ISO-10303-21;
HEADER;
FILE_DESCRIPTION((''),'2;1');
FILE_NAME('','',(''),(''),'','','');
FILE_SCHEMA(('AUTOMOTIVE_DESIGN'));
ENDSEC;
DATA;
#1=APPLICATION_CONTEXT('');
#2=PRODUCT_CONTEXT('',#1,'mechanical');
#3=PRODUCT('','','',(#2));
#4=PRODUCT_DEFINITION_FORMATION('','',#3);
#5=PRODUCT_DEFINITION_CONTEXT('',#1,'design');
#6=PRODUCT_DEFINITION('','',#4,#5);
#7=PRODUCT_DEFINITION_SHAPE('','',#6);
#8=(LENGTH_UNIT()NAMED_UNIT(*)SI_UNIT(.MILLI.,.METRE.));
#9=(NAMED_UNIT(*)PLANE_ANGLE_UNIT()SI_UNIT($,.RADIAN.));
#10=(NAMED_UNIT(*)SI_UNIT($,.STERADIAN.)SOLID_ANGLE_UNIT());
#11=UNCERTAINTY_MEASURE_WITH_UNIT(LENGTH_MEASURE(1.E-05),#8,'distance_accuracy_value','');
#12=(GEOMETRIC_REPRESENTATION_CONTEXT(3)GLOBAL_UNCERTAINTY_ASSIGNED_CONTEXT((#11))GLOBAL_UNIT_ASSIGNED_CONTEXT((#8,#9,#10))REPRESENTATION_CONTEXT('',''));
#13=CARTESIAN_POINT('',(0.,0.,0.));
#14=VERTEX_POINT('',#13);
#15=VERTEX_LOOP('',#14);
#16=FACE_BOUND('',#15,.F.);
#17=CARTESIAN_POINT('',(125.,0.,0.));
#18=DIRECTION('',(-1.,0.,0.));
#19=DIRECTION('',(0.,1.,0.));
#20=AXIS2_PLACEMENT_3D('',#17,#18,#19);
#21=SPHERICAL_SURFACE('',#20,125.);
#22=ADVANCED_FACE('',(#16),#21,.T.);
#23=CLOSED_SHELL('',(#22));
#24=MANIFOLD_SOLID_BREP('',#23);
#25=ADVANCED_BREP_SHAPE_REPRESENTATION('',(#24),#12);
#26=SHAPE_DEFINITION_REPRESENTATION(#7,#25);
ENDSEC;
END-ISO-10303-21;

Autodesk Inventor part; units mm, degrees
ref_plane "YZ Plane" through (0, 0, 0) normal (1, 0, 0) x (0, 1, 0)
ref_plane "XZ Plane" through (0, 0, 0) normal (0, 1, 0) x (-1, 0, 0)
ref_plane "XY Plane" through (0, 0, 0) normal (0, 0, 1) x (1, 0, 0)
sketch "Sketch1" plane through (0, 0, 0) normal (0, 0, 1) x (1, 0, 0)
  line L0 (0, 0) -> (250, 0)
  arc A0 (250, 0) -> (0, 0) centre (125, 0) ccw
  dimension "d0" = 250
revolve "Revolution1" add sketch "Sketch1" angle 360 about axis through (0, 0, 0) along (1, 0, 0)
properties part number "Cannonball"
